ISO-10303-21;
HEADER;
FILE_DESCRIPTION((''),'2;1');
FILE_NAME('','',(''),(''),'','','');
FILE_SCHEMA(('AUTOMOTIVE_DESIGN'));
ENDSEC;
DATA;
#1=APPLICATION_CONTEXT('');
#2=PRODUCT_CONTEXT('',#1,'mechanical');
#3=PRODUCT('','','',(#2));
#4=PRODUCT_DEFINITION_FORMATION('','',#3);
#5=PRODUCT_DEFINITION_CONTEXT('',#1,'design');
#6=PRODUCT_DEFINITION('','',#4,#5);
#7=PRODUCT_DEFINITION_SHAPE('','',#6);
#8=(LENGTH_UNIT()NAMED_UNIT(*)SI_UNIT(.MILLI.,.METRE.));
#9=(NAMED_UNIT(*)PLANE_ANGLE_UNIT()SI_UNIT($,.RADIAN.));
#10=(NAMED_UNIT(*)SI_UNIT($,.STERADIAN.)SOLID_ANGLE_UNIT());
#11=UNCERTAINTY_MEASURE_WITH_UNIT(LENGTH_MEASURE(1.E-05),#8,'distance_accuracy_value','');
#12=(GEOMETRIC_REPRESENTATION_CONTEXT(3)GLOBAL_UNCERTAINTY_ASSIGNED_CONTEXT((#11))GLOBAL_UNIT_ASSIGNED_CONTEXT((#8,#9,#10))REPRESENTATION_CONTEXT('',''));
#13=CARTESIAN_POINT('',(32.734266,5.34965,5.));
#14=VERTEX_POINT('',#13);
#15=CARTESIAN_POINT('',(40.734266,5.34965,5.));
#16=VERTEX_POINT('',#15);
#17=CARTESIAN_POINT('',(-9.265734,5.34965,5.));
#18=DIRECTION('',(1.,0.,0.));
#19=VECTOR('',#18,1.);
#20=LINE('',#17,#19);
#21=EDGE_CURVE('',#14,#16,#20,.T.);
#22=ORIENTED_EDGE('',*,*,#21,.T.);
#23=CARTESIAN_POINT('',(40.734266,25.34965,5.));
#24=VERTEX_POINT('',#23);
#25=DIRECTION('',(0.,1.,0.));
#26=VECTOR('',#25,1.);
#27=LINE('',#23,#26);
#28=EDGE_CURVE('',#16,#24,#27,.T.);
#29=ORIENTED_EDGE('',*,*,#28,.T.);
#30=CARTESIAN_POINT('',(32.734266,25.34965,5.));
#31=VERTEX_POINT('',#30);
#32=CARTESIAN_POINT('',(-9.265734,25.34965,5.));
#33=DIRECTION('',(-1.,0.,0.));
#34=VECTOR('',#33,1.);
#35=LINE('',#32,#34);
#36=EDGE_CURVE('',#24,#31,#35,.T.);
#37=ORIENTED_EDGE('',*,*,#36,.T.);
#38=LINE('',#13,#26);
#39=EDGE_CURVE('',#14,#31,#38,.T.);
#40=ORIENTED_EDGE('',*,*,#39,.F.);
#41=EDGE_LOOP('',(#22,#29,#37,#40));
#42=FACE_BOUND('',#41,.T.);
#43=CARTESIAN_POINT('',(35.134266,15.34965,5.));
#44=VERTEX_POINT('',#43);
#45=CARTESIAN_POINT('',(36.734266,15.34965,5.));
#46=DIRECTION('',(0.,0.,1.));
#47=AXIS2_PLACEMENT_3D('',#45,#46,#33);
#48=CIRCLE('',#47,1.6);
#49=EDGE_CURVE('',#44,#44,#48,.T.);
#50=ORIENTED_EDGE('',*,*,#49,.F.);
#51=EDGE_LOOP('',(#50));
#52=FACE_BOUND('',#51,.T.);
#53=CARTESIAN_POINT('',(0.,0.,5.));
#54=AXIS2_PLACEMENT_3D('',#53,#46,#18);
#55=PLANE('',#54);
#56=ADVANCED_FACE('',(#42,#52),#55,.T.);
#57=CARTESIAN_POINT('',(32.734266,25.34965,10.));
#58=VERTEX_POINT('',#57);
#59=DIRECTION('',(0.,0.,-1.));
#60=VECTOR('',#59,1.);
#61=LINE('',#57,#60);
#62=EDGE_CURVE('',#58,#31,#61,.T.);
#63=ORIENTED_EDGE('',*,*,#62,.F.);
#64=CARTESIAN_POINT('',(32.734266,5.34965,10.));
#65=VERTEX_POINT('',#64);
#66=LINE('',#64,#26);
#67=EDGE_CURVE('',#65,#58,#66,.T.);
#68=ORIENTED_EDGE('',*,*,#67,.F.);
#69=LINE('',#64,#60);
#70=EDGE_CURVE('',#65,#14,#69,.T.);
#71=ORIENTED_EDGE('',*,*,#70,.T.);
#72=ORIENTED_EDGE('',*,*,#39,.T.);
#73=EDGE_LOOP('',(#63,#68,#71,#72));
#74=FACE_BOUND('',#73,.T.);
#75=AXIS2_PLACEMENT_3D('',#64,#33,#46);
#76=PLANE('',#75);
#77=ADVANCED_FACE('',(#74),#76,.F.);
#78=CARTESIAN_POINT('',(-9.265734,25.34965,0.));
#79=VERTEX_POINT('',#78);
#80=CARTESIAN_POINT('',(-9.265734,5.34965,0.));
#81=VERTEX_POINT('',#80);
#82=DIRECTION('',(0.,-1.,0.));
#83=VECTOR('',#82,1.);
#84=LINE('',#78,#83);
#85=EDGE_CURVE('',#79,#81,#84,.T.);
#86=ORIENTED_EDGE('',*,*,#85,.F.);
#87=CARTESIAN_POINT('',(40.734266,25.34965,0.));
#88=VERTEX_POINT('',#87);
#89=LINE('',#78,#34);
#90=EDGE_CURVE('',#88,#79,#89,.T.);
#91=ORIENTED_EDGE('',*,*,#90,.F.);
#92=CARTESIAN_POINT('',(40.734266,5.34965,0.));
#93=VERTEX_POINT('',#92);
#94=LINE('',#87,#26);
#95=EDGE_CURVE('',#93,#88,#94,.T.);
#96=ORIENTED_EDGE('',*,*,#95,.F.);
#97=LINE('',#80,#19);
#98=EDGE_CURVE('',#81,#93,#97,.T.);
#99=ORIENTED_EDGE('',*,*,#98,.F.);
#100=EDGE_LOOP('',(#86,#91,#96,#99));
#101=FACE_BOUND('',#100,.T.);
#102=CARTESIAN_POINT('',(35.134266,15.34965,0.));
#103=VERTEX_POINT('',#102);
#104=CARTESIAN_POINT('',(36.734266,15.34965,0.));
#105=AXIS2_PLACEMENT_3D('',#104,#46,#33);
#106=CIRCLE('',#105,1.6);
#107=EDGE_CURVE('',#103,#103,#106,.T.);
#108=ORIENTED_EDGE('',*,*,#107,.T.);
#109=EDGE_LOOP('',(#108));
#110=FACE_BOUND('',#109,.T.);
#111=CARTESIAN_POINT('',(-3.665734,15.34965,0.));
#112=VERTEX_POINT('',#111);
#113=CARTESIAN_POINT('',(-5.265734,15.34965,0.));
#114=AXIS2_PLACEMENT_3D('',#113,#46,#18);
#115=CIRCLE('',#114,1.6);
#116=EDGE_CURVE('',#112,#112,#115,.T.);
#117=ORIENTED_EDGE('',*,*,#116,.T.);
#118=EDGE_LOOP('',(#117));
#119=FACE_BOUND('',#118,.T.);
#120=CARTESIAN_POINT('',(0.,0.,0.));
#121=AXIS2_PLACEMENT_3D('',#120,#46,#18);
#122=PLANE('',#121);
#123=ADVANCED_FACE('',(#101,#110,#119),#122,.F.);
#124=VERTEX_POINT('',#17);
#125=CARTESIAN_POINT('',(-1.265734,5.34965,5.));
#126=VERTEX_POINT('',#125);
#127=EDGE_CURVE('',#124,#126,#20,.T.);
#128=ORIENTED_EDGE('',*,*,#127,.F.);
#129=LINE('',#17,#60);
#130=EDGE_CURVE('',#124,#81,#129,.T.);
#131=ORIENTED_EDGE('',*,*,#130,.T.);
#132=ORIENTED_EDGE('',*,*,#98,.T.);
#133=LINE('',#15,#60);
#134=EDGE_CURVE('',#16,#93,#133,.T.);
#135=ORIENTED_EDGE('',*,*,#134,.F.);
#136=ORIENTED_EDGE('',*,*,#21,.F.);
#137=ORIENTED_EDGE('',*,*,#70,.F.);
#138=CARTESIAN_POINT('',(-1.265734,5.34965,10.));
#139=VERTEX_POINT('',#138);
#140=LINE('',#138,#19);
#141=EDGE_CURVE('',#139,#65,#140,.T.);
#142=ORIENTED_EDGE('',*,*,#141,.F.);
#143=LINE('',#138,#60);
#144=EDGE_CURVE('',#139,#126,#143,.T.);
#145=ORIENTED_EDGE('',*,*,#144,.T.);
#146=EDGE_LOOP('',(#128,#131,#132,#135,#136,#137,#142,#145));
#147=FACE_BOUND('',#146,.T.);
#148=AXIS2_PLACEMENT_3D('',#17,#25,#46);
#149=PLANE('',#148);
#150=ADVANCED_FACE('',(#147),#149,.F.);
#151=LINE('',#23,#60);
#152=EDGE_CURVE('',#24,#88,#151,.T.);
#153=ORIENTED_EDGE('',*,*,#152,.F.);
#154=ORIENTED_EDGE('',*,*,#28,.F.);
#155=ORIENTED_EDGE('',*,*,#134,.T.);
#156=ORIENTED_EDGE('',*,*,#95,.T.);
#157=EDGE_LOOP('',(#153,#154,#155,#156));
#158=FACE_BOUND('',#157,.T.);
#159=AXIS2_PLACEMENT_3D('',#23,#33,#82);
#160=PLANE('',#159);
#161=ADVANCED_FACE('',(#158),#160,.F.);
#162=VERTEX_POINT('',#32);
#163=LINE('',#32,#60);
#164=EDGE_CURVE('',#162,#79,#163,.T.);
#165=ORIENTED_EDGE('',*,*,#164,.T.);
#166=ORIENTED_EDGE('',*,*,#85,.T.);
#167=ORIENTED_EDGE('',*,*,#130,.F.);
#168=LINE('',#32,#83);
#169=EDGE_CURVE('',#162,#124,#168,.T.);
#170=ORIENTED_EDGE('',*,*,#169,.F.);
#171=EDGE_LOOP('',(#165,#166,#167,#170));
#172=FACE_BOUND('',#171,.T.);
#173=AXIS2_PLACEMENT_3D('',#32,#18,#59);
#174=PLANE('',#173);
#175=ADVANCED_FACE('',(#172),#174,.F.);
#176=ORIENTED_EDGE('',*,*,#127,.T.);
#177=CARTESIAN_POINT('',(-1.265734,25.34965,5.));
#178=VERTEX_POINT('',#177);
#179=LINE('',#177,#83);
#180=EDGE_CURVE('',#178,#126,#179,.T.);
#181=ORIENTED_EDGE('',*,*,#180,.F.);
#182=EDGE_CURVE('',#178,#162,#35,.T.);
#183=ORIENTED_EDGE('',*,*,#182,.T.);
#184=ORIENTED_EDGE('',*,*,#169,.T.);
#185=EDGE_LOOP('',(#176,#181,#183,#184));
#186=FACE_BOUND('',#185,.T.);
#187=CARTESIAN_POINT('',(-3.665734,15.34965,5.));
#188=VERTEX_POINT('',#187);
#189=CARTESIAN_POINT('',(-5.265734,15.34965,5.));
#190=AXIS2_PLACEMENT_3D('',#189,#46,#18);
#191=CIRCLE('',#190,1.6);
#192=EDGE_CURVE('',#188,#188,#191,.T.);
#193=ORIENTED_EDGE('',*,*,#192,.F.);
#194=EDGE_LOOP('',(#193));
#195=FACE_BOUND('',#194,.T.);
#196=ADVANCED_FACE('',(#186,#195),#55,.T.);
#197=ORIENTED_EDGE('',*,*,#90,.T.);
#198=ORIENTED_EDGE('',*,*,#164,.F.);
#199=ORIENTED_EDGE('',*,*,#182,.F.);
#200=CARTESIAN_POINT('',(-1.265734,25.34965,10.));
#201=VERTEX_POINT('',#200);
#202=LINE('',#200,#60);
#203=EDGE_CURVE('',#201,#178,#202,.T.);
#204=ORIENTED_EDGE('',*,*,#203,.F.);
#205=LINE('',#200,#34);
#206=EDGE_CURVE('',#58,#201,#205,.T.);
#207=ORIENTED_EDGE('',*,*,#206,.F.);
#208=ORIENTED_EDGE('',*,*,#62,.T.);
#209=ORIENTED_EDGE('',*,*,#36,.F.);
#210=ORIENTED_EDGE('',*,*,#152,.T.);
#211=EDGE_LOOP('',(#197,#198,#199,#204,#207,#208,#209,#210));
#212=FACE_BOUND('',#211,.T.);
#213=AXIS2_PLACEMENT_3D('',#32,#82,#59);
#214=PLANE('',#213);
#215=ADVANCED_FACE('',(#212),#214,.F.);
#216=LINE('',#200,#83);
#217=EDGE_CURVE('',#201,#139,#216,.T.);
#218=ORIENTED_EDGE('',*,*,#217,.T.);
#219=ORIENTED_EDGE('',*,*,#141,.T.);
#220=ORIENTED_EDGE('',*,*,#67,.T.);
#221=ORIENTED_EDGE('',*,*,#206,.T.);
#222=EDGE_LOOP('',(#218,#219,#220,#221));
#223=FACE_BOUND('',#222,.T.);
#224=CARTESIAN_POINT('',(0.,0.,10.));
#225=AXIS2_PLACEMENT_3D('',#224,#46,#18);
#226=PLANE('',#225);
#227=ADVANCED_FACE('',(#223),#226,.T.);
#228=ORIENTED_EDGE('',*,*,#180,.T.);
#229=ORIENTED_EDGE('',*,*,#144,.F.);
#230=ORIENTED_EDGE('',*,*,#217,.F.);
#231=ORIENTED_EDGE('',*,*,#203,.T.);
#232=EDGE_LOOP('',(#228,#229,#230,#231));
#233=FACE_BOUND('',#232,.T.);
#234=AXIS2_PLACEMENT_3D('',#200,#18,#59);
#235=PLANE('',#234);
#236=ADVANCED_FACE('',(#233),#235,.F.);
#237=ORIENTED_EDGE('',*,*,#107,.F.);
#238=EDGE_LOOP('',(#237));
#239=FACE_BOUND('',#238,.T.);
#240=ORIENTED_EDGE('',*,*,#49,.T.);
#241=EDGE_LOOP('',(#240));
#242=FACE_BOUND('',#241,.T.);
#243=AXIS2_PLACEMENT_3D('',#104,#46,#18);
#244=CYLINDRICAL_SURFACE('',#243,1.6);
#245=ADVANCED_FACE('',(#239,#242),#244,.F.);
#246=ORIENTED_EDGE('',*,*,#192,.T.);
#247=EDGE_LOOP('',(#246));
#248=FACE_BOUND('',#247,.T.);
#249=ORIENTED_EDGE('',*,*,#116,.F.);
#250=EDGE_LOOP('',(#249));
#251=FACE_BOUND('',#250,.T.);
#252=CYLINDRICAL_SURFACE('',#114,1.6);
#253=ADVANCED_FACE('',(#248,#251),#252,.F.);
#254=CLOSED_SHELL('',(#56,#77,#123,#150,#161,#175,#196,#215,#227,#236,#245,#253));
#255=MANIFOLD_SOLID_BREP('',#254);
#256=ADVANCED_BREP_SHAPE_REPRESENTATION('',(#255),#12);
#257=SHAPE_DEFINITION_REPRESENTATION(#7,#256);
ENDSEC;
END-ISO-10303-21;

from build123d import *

# Parameters (mm, degrees)
SKETCH_1_W          = 50
SKETCH_1_H          = 20
EXTRUDE_1_DEPTH     = 5
SKETCH_2_W          = 34
SKETCH_2_H          = 20
EXTRUDE_2_DEPTH     = 5
SKETCH_3_R          = 1.6
CUT_EXTRUDE_1_DEPTH = 5


with BuildPart() as part:
    # 草图1 → 凸台-拉伸1 (new body)
    with BuildSketch(Plane.XY):
        with Locations((15.734265734, 15.34965035)):
            Rectangle(SKETCH_1_W, SKETCH_1_H)
    extrude(amount=EXTRUDE_1_DEPTH)

    # 草图2 → 凸台-拉伸2 (add)
    with BuildSketch(Plane.XY.offset(5)):
        with Locations((15.734265734, 15.34965035)):
            Rectangle(SKETCH_2_W, SKETCH_2_H)
    extrude(amount=EXTRUDE_2_DEPTH)

    # 草图3 → 切除-拉伸1 (cut)
    with BuildSketch(Plane.XY.offset(5)):
        with Locations((-5.265734266, 15.34965035)):
            Circle(SKETCH_3_R)
        with Locations((36.734265734, 15.34965035)):
            Circle(SKETCH_3_R)
    extrude(amount=-CUT_EXTRUDE_1_DEPTH, mode=Mode.SUBTRACT)


solid = part.part
